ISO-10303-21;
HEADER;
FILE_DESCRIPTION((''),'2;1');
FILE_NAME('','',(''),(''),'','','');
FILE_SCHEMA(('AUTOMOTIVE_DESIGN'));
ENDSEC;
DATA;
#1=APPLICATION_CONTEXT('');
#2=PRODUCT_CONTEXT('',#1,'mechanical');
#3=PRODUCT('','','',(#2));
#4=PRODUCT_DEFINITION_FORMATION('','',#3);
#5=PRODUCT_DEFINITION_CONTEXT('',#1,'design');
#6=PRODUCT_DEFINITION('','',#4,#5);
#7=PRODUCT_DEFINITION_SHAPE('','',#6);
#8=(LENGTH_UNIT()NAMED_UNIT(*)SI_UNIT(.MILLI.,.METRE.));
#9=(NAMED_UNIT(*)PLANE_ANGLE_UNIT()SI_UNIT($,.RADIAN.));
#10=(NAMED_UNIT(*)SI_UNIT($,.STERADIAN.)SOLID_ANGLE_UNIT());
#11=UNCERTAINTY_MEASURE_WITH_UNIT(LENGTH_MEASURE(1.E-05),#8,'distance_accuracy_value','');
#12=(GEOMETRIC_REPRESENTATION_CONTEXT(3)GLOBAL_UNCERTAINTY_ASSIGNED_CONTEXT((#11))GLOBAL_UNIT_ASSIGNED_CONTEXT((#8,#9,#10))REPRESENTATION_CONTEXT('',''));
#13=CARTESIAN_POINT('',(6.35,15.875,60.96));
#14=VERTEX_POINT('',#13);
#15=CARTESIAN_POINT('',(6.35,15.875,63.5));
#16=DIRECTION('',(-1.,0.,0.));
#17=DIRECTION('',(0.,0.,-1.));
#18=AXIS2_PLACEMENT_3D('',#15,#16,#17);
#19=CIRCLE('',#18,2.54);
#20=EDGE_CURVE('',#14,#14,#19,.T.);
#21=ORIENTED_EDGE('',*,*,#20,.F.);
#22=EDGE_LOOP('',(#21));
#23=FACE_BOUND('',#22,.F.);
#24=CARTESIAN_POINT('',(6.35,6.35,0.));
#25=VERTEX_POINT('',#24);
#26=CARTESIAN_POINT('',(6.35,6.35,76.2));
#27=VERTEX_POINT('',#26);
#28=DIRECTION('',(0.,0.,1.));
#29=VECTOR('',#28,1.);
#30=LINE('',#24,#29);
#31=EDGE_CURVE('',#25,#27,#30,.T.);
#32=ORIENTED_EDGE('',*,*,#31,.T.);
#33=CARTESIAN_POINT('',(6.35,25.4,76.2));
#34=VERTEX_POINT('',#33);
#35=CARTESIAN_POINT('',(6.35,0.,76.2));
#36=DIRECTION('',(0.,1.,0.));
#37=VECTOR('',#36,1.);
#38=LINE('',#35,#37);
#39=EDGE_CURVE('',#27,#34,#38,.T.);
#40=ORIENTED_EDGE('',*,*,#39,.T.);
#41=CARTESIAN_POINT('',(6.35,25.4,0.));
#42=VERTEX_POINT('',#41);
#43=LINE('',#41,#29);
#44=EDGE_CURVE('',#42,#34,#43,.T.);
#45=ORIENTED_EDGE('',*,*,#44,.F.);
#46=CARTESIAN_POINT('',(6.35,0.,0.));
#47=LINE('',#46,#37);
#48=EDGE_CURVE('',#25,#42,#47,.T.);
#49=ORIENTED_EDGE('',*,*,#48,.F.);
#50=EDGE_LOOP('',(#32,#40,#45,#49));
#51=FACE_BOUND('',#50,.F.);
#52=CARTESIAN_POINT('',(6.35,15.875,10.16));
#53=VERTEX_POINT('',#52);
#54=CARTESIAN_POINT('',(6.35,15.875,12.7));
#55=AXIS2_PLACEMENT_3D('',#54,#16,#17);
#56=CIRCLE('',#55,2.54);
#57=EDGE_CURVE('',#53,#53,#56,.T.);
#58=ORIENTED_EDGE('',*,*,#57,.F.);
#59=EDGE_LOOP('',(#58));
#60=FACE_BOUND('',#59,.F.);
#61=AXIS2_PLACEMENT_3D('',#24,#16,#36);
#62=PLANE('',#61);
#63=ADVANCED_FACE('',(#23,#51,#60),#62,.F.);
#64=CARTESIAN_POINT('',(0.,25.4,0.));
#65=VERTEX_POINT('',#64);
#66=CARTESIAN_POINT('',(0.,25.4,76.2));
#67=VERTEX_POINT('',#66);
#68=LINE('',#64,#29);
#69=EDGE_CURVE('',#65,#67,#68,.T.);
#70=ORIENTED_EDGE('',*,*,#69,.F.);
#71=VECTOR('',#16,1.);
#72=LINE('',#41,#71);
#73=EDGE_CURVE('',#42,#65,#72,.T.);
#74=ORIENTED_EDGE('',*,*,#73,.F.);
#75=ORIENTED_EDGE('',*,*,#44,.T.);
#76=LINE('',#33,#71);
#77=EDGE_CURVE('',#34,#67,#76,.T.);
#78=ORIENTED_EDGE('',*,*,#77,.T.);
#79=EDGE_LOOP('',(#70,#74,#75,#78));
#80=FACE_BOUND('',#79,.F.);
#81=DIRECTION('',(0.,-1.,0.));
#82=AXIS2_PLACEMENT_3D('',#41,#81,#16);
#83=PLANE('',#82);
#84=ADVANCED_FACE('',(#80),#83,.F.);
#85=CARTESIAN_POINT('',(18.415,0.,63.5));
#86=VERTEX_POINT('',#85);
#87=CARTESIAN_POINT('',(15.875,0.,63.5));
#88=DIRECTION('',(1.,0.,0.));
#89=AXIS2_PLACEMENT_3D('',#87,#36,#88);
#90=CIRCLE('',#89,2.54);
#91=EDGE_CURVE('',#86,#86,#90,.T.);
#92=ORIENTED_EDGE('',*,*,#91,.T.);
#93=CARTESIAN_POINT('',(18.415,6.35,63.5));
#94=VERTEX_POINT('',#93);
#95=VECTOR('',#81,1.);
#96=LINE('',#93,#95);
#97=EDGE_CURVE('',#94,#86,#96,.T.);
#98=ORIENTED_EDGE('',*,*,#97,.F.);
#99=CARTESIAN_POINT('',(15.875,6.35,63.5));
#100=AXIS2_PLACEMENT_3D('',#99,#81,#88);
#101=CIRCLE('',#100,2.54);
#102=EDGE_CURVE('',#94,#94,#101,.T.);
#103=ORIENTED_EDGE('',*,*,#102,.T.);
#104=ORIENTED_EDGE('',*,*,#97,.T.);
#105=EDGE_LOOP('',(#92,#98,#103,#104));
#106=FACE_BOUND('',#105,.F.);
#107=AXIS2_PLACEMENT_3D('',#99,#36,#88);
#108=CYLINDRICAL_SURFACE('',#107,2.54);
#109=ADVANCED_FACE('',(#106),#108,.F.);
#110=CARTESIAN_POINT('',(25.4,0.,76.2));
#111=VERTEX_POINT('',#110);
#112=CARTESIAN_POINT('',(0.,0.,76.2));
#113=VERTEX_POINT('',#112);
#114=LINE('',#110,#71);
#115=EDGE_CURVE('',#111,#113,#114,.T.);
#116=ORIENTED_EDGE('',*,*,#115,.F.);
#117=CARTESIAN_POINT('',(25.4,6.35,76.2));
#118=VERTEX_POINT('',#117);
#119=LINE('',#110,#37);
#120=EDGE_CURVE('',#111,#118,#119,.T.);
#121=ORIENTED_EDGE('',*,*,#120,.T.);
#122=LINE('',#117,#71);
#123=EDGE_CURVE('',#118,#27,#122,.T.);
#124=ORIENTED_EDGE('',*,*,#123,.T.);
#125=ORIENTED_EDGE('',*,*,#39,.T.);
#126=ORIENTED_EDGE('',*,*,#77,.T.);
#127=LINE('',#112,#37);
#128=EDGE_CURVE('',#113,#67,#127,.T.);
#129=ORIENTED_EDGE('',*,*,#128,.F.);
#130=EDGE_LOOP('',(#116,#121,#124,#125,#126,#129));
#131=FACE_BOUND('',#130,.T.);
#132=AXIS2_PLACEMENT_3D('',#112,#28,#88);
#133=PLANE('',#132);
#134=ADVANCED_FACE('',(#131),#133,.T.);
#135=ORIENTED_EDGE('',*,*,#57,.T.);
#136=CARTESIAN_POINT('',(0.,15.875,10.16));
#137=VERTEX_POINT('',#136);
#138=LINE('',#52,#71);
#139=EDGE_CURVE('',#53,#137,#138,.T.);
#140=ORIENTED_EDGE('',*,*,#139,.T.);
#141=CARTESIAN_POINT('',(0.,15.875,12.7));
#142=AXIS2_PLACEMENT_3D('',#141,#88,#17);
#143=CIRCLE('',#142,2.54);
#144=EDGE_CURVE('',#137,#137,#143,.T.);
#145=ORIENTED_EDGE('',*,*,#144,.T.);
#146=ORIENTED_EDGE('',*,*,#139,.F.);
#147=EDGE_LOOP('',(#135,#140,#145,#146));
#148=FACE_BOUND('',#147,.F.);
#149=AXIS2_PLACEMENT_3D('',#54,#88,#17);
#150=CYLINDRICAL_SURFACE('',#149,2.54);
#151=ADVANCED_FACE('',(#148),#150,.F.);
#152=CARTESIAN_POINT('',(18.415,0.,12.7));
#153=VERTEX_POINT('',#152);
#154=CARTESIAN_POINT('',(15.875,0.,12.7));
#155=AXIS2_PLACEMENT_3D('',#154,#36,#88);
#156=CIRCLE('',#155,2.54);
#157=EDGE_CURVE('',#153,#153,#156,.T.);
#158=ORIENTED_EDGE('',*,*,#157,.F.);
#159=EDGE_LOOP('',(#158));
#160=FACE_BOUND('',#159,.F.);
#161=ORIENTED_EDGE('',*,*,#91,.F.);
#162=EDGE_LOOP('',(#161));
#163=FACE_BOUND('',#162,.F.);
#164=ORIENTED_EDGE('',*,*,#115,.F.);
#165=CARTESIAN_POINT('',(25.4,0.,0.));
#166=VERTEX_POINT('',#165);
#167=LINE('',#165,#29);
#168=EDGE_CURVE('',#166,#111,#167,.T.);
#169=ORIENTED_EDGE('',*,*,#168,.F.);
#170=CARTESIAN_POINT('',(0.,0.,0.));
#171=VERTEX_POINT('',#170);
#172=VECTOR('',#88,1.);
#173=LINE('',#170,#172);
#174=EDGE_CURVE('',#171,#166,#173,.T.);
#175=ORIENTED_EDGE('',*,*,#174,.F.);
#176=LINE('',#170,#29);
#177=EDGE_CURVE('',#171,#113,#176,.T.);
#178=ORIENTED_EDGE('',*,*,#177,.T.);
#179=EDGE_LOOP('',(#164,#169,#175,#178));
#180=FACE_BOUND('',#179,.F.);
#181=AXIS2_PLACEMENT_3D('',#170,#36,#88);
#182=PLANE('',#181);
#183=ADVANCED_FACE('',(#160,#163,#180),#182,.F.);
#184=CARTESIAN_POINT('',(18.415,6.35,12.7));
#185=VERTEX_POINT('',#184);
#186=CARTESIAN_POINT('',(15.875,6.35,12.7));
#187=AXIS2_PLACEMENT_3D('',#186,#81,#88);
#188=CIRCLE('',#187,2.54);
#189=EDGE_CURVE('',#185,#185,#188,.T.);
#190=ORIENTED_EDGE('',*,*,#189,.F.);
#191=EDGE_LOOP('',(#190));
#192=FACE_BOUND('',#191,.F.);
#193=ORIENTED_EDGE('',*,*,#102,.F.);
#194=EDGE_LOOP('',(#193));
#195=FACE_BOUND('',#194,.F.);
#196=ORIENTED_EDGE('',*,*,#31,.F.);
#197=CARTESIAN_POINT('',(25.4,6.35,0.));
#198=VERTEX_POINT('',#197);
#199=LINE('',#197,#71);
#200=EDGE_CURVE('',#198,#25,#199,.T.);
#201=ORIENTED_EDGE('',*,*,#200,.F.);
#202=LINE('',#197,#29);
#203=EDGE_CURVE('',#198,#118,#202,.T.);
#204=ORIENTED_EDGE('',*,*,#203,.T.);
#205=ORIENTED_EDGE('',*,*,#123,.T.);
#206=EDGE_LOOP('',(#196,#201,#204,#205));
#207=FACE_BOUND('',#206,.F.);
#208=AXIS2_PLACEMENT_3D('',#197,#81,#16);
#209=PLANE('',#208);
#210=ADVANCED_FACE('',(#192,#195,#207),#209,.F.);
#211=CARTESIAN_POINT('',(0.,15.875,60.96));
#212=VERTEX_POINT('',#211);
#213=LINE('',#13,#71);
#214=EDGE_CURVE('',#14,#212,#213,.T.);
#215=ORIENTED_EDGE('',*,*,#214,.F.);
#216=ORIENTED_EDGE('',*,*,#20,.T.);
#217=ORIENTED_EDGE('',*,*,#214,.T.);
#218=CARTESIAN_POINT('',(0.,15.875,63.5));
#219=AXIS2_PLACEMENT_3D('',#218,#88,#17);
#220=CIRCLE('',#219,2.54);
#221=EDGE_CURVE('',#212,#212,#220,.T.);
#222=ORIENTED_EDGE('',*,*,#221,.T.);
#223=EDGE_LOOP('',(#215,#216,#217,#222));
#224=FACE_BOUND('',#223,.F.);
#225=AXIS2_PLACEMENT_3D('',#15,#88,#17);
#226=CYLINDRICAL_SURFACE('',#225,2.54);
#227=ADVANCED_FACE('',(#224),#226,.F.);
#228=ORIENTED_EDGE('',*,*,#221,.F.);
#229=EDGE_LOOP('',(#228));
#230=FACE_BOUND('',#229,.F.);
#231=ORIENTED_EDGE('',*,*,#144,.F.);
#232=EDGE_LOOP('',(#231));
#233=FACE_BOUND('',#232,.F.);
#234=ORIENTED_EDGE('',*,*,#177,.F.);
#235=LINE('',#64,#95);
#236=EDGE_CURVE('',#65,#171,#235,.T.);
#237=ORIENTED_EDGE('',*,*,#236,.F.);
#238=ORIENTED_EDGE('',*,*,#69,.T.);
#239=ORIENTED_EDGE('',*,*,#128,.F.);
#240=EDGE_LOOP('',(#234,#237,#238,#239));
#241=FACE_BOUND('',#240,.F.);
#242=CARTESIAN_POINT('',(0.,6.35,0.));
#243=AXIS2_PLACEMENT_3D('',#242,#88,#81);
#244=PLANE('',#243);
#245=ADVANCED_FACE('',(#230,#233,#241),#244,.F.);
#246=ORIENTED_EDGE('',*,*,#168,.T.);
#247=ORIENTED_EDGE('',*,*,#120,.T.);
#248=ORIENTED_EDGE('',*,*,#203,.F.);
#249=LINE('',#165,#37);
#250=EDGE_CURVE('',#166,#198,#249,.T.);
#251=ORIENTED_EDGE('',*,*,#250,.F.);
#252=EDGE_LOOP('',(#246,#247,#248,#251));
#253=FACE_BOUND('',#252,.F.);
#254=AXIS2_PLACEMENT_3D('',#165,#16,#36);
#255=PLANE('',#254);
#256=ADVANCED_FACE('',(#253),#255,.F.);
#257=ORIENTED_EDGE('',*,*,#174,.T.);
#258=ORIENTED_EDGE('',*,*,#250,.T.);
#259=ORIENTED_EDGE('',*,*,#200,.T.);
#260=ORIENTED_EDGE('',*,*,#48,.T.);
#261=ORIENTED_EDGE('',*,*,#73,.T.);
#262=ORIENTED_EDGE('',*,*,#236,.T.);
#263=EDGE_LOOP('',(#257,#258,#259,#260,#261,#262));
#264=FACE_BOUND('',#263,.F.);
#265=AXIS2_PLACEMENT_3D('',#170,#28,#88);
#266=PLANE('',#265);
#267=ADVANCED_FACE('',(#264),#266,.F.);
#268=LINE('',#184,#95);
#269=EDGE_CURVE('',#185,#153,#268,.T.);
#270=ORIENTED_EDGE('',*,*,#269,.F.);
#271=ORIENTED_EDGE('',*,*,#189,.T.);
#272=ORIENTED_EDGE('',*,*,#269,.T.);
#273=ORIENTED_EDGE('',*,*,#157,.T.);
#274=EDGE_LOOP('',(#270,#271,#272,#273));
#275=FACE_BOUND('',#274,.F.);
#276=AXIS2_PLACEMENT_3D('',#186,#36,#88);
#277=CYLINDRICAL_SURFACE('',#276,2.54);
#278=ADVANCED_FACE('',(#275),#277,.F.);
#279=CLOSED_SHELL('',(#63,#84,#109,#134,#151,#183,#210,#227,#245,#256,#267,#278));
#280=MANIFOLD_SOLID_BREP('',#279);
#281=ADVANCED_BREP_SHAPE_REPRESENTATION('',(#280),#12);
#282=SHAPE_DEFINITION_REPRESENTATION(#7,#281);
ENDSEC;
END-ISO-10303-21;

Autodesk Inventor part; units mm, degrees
ref_plane "YZ Plane" through (0, 0, 0) normal (1, 0, 0) x (0, 1, 0)
ref_plane "XZ Plane" through (0, 0, 0) normal (0, 1, 0) x (-1, 0, 0)
ref_plane "XY Plane" through (0, 0, 0) normal (0, 0, 1) x (1, 0, 0)
sketch "Sketch1" plane through (0, 0, 0) normal (0, 0, 1) x (1, 0, 0)
  line L0 (0, 0) -> (25.4, 0)
  line L1 (25.4, 0) -> (25.4, 6.35)
  line L2 (25.4, 6.35) -> (0, 6.35)
  line L3 (0, 6.35) -> (0, 0)
  line L4 (0, 0) -> (6.35, 0)
  line L5 (6.35, 0) -> (6.35, 25.4)
  line L6 (6.35, 25.4) -> (0, 25.4)
  line L7 (0, 25.4) -> (0, 0)
  dimension "d0" = 25.4
  dimension "d1" = 6.35
  dimension "d2" = 6.35
  dimension "d3" = 25.4
extrude "Extrusion1" add sketch "Sketch1" along normal blind 76.2
sketch "Sketch2" plane through (6.35, 6.35, 0) normal (0, 1, 0) x (1, 0, 0)
  line L0 (-6.35, 0) -> (19.05, 0) projected
  line L1 (19.05, 0) -> (0, 0)
  line L2 (9.525, 0) -> (9.525, -76.2)
  line L3 (-6.35, -76.2) -> (19.05, -76.2) projected
  line L4 (9.525, 0) -> (9.525, -12.7)
  line L5 (9.525, -76.2) -> (9.525, -63.5)
  circle A0 centre (9.525, -63.5) radius 2.54
  circle A1 centre (9.525, -12.7) radius 2.54
  dimension "d6" = 19.05
  dimension "d7" = 12.7
  dimension "d8" = 12.7
  dimension "d9" = 5.08
  dimension "d10" = 5.08
extrude "Extrusion2" cut sketch "Sketch2" against normal blind 25.4
sketch "Sketch3" plane through (6.35, 6.35, 0) normal (1, 0, 0) x (0, 0, -1)
  line L0 (0, 0) -> (0, 19.05) projected
  line L1 (0, 0) -> (0, 19.05)
  line L2 (0, 19.05) -> (0, 9.525)
  line L3 (0, 9.525) -> (-76.2, 9.525)
  line L4 (-76.2, 19.05) -> (-76.2, -6.35) projected
  line L5 (-76.2, 9.525) -> (-63.5, 9.525)
  line L6 (0, 9.525) -> (-12.7, 9.525)
  circle A0 centre (-63.5, 9.525) radius 2.54
  circle A1 centre (-12.7, 9.525) radius 2.54
  point P0 (0, -6.35)
  dimension "d13" = 12.7
  dimension "d14" = 12.7
  dimension "d15" = 5.08
extrude "Extrusion3" cut sketch "Sketch3" against normal blind 25.4
properties part number "Beefy L" material "Aluminum 6061"
